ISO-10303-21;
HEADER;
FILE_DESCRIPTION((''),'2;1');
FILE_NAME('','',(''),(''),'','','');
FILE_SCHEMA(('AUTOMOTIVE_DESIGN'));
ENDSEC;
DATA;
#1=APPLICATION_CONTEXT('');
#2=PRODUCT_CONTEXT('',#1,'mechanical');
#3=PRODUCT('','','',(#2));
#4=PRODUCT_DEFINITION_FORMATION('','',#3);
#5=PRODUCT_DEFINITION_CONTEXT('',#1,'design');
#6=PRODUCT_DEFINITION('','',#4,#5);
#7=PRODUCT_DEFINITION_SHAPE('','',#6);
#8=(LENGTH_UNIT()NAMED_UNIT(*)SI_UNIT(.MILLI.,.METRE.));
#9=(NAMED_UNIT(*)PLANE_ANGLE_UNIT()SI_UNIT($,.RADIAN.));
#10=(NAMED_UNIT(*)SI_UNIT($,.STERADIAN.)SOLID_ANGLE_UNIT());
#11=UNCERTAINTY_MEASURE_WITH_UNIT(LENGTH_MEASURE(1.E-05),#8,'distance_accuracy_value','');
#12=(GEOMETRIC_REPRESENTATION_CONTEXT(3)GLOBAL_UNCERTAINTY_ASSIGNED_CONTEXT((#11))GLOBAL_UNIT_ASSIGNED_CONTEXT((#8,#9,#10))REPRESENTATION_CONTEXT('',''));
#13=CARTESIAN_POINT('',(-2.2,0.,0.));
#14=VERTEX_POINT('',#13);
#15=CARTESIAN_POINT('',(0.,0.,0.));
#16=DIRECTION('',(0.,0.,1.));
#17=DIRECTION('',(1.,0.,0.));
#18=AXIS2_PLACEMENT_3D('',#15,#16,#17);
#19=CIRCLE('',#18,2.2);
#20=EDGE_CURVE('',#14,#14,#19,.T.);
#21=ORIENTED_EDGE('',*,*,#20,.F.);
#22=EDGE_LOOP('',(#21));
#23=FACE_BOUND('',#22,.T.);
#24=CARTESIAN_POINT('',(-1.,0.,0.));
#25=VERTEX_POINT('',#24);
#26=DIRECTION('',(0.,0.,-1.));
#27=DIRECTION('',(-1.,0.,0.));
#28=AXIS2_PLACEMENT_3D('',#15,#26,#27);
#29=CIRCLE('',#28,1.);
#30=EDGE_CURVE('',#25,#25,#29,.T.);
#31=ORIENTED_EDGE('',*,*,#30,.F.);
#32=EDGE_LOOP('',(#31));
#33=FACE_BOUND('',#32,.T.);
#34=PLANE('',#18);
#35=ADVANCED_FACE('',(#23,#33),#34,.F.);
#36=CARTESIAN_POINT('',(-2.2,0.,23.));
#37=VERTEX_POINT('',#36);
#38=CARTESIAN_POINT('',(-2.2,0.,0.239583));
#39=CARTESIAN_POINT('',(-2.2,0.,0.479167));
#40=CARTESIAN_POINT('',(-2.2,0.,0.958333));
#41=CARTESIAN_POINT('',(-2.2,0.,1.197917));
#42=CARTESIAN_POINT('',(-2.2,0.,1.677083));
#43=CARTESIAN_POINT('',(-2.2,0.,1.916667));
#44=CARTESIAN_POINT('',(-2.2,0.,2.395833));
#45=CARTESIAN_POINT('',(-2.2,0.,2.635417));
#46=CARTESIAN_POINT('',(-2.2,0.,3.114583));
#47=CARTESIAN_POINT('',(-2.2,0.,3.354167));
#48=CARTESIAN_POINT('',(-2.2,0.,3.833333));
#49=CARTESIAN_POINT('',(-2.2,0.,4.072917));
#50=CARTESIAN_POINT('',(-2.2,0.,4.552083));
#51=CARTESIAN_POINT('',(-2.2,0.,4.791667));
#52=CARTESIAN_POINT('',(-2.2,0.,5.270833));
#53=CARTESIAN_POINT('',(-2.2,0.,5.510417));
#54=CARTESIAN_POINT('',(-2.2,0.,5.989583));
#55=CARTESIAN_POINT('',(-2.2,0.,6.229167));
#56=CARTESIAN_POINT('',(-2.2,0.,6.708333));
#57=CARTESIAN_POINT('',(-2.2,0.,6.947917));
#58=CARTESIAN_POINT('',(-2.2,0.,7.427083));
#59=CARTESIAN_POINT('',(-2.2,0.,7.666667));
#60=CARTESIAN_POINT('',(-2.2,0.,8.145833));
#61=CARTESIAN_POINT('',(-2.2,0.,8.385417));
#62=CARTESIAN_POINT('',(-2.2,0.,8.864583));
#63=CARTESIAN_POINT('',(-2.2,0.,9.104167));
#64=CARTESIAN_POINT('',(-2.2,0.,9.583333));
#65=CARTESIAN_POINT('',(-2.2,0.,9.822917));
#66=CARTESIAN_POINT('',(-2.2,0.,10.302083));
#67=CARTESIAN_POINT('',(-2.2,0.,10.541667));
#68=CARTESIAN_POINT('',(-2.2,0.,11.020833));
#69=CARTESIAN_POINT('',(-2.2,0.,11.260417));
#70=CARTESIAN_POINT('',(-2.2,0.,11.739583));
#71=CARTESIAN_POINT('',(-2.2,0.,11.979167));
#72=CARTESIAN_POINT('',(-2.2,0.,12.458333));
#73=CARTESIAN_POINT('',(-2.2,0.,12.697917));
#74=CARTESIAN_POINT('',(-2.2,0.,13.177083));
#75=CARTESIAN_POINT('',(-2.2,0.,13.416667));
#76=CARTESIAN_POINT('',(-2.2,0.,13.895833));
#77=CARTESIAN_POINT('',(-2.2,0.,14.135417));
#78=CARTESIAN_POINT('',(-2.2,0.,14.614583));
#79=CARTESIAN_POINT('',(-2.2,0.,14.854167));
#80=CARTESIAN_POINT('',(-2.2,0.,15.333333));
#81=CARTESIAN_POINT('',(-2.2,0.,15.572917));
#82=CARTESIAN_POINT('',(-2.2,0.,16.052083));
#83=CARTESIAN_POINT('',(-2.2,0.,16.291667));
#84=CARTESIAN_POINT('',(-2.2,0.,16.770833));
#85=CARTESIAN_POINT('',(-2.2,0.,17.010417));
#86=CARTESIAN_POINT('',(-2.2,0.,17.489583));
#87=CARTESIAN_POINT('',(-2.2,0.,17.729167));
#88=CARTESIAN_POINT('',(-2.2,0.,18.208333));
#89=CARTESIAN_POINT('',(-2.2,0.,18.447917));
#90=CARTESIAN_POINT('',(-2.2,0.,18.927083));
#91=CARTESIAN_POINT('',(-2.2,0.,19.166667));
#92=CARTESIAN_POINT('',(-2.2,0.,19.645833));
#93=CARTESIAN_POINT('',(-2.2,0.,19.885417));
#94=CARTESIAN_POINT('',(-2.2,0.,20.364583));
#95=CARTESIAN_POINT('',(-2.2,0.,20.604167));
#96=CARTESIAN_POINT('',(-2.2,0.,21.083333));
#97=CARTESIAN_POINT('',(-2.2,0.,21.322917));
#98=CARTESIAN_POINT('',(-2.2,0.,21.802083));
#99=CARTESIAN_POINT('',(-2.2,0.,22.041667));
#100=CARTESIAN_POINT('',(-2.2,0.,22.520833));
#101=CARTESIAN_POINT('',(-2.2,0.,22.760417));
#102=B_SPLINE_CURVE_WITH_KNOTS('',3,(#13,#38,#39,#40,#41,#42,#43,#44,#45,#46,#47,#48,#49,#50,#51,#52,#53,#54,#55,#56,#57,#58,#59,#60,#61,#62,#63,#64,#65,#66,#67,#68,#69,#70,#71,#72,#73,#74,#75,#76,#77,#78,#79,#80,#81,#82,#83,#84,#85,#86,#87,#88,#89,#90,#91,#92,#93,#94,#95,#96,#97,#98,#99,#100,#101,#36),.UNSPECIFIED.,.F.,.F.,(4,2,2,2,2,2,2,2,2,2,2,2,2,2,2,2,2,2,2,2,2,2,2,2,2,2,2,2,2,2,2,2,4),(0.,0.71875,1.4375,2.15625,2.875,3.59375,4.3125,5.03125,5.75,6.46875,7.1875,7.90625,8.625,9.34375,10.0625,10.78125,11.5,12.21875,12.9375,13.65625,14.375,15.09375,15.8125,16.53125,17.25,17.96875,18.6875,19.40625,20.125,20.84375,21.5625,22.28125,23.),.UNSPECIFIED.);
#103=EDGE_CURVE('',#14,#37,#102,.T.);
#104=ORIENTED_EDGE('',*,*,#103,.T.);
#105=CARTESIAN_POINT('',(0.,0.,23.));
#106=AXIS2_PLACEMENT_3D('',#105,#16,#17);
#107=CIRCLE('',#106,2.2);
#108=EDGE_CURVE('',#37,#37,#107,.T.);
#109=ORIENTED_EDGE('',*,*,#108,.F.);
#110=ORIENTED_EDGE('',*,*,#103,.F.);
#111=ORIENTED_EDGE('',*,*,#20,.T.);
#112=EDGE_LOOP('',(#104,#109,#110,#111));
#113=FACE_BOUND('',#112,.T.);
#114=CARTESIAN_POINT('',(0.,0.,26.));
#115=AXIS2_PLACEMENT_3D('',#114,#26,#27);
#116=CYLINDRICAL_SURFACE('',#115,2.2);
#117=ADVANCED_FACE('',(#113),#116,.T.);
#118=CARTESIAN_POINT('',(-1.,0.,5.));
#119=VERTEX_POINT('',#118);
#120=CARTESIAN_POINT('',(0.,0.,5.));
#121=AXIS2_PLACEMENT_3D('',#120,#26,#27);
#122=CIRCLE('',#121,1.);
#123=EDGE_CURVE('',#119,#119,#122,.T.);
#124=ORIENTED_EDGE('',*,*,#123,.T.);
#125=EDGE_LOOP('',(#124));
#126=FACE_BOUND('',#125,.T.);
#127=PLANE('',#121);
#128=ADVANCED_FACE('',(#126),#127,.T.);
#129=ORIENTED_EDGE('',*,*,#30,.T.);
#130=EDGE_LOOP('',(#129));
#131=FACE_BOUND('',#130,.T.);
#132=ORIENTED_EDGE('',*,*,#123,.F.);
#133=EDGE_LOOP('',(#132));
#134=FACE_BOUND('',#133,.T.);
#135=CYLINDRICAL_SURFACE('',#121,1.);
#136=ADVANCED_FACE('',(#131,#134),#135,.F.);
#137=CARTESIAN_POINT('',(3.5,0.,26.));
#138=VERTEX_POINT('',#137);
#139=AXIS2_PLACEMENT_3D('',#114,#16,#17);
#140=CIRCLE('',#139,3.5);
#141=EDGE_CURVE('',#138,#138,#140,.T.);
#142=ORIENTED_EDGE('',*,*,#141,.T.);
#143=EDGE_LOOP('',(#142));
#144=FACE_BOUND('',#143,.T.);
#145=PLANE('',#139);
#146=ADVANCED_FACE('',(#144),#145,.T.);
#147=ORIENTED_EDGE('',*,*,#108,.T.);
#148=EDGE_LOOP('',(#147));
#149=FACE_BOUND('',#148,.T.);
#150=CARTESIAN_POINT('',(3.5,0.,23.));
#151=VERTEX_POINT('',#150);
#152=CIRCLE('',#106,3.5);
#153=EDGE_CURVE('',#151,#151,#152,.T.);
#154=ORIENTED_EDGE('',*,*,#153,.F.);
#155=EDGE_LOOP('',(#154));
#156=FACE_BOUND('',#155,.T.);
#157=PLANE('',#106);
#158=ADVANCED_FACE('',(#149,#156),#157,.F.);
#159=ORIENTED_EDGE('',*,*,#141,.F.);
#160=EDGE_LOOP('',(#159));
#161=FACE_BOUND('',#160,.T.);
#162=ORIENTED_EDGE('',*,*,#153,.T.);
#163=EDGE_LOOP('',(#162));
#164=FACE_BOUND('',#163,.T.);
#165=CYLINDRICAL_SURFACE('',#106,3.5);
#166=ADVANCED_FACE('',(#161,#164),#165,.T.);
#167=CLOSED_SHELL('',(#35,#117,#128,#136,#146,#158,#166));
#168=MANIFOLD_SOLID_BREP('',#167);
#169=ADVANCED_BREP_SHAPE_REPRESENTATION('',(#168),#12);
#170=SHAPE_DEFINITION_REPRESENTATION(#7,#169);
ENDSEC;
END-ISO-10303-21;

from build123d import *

# Parameters (mm, degrees)
SKETCH1_R           = 2.2
BOSS_EXTRUDE1_DEPTH = 26
SKETCH2_R           = 3.5
BOSS_EXTRUDE2_DEPTH = 3
SKETCH3_R           = 1
CUT_EXTRUDE1_DEPTH  = 5


with BuildPart() as part:
    # Sketch1 → Boss-Extrude1 (new body)
    with BuildSketch(Plane.XY):
        with Locations(Location((0, 0, 0), (0, 0, 180))):
            Circle(SKETCH1_R)
    extrude(amount=BOSS_EXTRUDE1_DEPTH)

    # Sketch2 → Boss-Extrude2 (add)
    with BuildSketch(Plane.XY.offset(26)):
        Circle(SKETCH2_R)
    extrude(amount=-BOSS_EXTRUDE2_DEPTH)

    # Sketch3 → Cut-Extrude1 (cut)
    with BuildSketch(Plane(origin=(0, 0, 0), x_dir=(-1, 0, 0), z_dir=(0, 0, -1))):
        Circle(SKETCH3_R)
    extrude(amount=-CUT_EXTRUDE1_DEPTH, mode=Mode.SUBTRACT)


solid = part.part
